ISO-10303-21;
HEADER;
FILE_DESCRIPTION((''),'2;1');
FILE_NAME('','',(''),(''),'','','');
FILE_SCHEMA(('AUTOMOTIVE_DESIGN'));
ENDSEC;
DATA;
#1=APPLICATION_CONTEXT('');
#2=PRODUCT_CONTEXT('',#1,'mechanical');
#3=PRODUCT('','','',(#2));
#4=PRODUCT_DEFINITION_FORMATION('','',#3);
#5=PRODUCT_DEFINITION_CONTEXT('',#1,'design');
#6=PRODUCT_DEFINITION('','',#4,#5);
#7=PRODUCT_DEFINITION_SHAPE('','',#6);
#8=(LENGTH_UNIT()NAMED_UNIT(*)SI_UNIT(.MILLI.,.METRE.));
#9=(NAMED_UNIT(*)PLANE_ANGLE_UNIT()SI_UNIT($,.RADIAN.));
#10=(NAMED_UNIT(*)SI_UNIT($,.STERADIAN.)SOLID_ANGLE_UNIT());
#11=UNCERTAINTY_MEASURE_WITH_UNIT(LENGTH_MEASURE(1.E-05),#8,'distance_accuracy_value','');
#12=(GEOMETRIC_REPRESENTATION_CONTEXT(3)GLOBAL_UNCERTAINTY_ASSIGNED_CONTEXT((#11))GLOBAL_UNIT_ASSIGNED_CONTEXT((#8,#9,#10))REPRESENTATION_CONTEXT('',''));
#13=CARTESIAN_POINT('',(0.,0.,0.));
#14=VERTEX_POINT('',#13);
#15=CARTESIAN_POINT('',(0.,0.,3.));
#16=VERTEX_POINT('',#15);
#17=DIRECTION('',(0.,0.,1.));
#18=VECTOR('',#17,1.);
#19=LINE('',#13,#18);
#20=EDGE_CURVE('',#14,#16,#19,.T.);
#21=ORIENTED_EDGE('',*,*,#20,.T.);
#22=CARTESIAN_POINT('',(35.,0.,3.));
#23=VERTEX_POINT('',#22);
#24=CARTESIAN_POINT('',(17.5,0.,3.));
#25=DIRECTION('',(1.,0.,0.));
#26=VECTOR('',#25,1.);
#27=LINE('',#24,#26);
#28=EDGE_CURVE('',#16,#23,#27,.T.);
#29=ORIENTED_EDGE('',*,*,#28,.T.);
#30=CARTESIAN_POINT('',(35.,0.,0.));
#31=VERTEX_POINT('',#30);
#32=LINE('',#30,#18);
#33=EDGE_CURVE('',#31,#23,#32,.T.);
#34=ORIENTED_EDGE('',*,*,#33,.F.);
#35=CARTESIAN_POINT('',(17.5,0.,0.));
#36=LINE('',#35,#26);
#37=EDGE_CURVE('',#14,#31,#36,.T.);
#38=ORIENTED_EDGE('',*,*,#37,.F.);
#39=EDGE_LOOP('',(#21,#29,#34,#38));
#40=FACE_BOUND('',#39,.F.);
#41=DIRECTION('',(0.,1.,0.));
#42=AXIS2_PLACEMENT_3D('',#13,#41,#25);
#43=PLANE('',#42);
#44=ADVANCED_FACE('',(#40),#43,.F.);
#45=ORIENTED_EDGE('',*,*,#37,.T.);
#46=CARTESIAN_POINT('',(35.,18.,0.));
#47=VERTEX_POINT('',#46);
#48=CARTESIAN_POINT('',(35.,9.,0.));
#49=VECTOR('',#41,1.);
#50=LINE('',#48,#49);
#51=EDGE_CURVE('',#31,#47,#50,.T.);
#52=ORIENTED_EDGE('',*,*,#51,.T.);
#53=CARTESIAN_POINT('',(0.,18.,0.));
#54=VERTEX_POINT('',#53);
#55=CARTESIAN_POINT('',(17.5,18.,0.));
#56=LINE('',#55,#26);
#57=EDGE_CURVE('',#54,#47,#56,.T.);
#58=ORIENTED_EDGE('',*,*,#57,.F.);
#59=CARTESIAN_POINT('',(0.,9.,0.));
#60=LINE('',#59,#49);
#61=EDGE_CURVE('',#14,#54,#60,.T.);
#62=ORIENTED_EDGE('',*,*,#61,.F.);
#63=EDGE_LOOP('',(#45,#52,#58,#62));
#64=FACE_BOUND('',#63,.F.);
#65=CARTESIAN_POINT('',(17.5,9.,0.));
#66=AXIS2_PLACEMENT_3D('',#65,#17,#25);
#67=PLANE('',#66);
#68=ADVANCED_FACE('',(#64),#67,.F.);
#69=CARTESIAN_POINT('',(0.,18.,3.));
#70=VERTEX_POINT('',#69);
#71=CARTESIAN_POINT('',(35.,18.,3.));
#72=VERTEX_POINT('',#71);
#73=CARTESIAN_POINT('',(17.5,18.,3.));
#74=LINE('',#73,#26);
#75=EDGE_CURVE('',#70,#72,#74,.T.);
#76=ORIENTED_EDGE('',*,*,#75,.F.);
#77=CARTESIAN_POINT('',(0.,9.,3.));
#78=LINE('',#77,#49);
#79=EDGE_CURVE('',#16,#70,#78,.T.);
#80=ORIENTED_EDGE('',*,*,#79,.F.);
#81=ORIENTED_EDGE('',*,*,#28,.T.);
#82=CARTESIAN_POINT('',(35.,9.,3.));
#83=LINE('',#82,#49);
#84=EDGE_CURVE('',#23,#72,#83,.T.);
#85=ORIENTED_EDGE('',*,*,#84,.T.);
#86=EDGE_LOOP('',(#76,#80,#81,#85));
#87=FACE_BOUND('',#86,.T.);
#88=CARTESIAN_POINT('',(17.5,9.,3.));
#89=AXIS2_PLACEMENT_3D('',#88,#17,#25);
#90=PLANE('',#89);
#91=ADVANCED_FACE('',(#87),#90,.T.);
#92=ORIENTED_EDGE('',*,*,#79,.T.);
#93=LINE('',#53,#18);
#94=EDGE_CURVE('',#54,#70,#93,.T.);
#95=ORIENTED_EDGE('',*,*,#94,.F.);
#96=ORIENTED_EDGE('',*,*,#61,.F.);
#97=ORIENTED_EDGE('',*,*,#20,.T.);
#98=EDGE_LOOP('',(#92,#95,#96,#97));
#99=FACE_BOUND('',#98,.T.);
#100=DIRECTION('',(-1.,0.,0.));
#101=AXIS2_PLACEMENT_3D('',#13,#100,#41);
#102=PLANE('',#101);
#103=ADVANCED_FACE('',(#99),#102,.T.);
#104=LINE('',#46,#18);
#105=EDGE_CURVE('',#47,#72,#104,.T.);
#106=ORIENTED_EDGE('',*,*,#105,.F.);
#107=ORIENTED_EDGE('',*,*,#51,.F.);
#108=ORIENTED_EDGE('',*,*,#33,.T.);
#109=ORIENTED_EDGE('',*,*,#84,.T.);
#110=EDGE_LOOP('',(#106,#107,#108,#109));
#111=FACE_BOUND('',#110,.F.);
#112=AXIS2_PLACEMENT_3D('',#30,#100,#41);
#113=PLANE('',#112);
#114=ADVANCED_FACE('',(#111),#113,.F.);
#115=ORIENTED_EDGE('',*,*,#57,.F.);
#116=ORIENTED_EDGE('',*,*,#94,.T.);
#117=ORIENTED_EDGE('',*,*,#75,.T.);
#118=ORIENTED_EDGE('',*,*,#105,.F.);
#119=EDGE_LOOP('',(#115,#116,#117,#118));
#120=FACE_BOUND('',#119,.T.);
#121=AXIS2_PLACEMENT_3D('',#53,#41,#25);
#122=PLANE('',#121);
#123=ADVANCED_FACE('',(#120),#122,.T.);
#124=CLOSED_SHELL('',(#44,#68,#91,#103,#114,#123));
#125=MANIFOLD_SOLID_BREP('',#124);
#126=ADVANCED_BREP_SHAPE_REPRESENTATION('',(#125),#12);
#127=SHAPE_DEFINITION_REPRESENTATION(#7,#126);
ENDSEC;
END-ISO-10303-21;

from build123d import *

# Parameters (mm, degrees)
SKETCH_W  = 35
SKETCH_H  = 18
PAD_DEPTH = 3


with BuildPart() as part:
    # Sketch → Pad (new body)
    with BuildSketch(Plane.XY):
        with Locations((17.5, 9)):
            Rectangle(SKETCH_W, SKETCH_H)
    extrude(amount=PAD_DEPTH)


solid = part.part
